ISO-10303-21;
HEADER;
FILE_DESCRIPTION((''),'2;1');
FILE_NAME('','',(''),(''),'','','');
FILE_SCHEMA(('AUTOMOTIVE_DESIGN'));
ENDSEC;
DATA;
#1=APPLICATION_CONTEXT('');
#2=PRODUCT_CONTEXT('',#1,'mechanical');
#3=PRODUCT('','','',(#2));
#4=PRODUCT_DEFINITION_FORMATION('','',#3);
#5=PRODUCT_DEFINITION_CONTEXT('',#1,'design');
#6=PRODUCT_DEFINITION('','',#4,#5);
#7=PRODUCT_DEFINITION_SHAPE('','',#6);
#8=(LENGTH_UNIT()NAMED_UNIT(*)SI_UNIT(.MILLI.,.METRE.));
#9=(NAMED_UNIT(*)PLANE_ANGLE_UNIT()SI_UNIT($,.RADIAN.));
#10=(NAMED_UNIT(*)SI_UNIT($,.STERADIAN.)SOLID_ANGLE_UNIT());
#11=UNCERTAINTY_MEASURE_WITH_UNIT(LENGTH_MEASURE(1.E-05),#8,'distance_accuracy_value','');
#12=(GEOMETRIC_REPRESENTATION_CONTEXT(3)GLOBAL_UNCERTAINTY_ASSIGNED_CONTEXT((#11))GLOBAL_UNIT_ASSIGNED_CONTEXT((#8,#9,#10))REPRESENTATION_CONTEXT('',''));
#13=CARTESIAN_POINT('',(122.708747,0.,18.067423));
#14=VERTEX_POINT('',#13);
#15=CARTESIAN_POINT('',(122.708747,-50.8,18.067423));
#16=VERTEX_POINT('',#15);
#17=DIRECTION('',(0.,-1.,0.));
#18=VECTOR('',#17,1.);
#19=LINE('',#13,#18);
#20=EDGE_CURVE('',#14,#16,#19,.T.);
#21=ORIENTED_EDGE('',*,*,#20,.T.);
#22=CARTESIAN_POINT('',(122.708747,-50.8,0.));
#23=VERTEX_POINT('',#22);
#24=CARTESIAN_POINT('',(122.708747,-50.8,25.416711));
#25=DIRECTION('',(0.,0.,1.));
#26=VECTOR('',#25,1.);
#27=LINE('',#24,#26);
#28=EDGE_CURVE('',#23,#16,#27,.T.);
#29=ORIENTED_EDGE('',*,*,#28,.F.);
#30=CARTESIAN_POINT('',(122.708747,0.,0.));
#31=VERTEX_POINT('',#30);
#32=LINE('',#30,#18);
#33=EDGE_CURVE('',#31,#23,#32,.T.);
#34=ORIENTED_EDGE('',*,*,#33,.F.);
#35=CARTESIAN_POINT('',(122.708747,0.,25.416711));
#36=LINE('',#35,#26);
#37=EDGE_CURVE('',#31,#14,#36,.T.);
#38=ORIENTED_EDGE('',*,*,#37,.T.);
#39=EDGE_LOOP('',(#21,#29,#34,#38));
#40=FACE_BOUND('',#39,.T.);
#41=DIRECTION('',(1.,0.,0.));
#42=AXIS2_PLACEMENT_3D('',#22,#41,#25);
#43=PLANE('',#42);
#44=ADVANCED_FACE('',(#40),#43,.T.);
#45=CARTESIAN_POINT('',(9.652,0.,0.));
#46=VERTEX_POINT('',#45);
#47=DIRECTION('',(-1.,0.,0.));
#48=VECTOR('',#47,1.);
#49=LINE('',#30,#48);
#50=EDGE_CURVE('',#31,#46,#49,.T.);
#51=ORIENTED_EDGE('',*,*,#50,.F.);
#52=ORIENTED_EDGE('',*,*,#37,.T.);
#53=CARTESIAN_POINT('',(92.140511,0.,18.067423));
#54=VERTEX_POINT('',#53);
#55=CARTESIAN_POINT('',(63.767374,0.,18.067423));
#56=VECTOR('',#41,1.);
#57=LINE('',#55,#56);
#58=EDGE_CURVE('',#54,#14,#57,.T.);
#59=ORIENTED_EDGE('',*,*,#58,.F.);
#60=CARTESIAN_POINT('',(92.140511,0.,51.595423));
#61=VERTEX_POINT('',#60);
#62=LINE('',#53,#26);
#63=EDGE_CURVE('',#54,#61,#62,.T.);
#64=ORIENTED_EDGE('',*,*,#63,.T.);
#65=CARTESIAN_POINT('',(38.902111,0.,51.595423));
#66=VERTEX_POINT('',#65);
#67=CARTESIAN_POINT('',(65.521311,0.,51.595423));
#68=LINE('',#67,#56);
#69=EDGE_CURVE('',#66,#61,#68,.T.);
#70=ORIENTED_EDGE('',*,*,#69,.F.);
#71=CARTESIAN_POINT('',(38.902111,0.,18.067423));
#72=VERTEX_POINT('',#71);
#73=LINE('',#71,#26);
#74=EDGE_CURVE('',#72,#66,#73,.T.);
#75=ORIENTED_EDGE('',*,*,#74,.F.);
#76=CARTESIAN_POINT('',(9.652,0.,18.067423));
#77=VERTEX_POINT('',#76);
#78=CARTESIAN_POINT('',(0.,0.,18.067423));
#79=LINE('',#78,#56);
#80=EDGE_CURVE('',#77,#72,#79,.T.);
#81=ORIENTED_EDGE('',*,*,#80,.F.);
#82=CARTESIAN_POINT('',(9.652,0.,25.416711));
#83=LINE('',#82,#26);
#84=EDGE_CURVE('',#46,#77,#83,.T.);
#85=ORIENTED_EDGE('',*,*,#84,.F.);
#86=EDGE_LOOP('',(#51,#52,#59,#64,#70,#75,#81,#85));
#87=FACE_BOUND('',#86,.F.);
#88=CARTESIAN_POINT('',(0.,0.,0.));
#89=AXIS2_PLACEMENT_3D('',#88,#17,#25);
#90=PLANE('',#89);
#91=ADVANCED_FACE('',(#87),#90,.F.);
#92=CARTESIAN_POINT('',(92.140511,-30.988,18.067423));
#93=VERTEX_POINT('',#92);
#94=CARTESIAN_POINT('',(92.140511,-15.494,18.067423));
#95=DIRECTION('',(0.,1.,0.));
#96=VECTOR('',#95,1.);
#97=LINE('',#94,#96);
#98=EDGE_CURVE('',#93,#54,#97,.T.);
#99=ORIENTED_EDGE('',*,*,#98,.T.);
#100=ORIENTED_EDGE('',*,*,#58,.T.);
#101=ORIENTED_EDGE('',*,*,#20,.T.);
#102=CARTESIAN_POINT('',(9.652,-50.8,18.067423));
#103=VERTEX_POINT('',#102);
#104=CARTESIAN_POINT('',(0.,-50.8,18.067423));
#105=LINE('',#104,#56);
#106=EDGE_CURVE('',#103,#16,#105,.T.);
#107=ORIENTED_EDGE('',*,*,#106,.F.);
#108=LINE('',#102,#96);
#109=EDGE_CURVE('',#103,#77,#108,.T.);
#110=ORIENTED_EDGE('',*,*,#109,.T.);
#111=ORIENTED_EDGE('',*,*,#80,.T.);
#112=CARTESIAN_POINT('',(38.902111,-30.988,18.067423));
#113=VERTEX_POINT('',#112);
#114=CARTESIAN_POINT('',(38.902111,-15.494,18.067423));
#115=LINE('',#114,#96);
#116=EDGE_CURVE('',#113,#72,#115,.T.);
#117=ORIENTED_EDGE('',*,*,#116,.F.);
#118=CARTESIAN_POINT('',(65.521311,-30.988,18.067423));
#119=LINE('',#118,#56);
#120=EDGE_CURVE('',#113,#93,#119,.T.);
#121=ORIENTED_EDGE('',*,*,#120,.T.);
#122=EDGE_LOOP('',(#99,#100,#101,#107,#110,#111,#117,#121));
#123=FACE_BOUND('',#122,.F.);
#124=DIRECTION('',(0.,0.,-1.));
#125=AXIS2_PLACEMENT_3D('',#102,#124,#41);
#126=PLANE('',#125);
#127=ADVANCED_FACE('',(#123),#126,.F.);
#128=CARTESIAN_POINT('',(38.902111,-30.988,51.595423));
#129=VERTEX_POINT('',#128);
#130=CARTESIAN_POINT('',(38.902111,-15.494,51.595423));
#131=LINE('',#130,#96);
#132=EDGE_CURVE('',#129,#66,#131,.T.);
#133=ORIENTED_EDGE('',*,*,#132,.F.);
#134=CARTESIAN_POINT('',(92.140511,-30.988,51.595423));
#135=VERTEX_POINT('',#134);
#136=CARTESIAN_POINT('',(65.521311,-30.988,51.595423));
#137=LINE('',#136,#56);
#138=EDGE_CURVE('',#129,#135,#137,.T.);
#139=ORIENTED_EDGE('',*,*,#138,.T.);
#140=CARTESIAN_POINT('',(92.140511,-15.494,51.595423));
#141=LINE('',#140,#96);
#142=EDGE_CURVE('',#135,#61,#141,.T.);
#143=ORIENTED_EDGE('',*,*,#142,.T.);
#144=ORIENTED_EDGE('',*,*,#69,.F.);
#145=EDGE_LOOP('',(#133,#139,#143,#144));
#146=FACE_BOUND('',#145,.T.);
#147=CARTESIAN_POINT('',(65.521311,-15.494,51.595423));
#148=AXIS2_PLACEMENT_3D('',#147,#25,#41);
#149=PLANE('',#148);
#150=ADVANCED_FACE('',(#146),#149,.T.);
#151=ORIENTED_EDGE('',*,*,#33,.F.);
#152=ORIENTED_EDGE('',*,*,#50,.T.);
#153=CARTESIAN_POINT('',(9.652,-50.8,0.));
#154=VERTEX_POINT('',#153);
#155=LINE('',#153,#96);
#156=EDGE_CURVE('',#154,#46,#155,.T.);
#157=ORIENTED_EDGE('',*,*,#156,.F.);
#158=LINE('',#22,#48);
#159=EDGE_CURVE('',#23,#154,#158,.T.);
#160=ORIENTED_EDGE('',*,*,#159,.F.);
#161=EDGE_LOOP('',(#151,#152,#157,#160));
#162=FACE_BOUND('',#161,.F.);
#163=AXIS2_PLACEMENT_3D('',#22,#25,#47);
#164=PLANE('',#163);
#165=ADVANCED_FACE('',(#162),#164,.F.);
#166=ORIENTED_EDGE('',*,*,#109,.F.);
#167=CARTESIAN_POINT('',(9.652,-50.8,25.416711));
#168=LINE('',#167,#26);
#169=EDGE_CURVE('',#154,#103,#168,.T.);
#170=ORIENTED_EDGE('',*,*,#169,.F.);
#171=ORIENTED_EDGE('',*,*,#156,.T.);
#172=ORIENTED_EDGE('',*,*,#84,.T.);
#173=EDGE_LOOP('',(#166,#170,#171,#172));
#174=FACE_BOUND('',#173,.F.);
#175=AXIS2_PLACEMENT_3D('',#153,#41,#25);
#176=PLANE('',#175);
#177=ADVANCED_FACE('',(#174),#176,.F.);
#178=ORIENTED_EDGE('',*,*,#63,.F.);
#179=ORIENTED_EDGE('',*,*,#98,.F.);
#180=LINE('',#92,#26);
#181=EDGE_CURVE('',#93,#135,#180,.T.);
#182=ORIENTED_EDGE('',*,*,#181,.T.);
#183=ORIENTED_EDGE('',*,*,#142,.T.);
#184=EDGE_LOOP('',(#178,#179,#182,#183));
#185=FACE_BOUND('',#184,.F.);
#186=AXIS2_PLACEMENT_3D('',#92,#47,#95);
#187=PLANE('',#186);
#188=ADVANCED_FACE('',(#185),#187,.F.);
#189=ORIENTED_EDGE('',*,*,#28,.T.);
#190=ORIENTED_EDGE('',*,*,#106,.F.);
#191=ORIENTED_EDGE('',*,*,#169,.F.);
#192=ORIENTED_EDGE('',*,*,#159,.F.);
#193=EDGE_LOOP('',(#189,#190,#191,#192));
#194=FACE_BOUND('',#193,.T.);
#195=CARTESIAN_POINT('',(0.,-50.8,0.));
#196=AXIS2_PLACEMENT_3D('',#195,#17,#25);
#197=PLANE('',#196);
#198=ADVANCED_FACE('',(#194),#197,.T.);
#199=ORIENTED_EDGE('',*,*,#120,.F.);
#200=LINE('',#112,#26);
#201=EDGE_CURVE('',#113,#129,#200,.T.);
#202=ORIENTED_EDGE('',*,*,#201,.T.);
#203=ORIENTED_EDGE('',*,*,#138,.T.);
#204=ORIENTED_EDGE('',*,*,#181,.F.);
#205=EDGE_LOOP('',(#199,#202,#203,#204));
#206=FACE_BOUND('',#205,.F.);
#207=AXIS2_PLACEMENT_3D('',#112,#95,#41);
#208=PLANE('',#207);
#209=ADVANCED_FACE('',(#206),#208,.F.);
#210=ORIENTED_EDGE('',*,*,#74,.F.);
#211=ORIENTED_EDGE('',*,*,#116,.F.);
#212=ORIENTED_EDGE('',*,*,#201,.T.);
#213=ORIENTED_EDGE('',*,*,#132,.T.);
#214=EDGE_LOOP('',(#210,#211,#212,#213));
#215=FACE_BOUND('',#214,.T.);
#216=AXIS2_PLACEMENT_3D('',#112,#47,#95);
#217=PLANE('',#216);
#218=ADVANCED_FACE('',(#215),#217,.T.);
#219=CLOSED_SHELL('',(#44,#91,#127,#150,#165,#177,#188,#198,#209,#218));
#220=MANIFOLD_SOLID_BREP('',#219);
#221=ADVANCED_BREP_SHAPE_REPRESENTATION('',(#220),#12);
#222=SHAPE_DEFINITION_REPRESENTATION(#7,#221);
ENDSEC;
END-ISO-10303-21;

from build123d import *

# Parameters (mm, degrees)
F0_W     = 127.5347471237
F0_H     = 50.8334226906
F1_DEPTH = 50.8
F2_DEPTH = 32.766
F3_W     = 53.2384
F3_H     = 30.988
F4_DEPTH = 33.528
F5_DEPTH = 4.826
F6_DEPTH = 7.366
F7_DEPTH = 8.89
F8_DEPTH = 9.652
F9_DEPTH = 5.334


with BuildPart() as f1:
    # F0 (on Front) → F1 (new body)
    with BuildSketch(Plane.XZ):
        with Locations((63.7673735619, 25.4167113453)):
            Rectangle(F0_W, F0_H)
    extrude(amount=F1_DEPTH)

    # F2 (cut): a face of the model
    f2_faces = [f1.faces().sort_by_distance(p)[0] for p in [
        (63.7673735619, -25.4, 50.8334226906),
    ]]
    extrude(f2_faces, amount=-F2_DEPTH, mode=Mode.SUBTRACT)

    # F3 (on face) → F4 (join)
    with BuildSketch(Plane.XY.offset(18.0674226906)):
        with Locations((65.5213113515, -15.494)):
            Rectangle(F3_W, F3_H)
    extrude(amount=F4_DEPTH)

    # F5 (cut): a face of the model
    f5_faces = [f1.faces().sort_by_distance(p)[0] for p in [
        (127.5347471237, -25.4, 9.0337113453),
    ]]
    extrude(f5_faces, amount=-F5_DEPTH, mode=Mode.SUBTRACT)

    # F6 (add): a face of the model
    f6_faces = [f1.faces().sort_by_distance(p)[0] for p in [
        (0, -25.4, 9.0337113453),
    ]]
    extrude(f6_faces, amount=-F6_DEPTH)

    # F7 (add): a face of the model
    f7_faces = [f1.faces().sort_by_distance(p)[0] for p in [
        (0, -25.4, 9.0337113453),
    ]]
    extrude(f7_faces, amount=-F7_DEPTH)

    # F8 (cut): a face of the model
    f8_faces = [f1.faces().sort_by_distance(p)[0] for p in [
        (0, -25.4, 9.0337113453),
    ]]
    extrude(f8_faces, amount=-F8_DEPTH, mode=Mode.SUBTRACT)

    # F9 (add): a face of the model
    f9_faces = [f1.faces().sort_by_distance(p)[0] for p in [
        (66.1803735619, -50.8, 9.0337113453),
    ]]
    extrude(f9_faces, amount=-F9_DEPTH)


solid = f1.part
